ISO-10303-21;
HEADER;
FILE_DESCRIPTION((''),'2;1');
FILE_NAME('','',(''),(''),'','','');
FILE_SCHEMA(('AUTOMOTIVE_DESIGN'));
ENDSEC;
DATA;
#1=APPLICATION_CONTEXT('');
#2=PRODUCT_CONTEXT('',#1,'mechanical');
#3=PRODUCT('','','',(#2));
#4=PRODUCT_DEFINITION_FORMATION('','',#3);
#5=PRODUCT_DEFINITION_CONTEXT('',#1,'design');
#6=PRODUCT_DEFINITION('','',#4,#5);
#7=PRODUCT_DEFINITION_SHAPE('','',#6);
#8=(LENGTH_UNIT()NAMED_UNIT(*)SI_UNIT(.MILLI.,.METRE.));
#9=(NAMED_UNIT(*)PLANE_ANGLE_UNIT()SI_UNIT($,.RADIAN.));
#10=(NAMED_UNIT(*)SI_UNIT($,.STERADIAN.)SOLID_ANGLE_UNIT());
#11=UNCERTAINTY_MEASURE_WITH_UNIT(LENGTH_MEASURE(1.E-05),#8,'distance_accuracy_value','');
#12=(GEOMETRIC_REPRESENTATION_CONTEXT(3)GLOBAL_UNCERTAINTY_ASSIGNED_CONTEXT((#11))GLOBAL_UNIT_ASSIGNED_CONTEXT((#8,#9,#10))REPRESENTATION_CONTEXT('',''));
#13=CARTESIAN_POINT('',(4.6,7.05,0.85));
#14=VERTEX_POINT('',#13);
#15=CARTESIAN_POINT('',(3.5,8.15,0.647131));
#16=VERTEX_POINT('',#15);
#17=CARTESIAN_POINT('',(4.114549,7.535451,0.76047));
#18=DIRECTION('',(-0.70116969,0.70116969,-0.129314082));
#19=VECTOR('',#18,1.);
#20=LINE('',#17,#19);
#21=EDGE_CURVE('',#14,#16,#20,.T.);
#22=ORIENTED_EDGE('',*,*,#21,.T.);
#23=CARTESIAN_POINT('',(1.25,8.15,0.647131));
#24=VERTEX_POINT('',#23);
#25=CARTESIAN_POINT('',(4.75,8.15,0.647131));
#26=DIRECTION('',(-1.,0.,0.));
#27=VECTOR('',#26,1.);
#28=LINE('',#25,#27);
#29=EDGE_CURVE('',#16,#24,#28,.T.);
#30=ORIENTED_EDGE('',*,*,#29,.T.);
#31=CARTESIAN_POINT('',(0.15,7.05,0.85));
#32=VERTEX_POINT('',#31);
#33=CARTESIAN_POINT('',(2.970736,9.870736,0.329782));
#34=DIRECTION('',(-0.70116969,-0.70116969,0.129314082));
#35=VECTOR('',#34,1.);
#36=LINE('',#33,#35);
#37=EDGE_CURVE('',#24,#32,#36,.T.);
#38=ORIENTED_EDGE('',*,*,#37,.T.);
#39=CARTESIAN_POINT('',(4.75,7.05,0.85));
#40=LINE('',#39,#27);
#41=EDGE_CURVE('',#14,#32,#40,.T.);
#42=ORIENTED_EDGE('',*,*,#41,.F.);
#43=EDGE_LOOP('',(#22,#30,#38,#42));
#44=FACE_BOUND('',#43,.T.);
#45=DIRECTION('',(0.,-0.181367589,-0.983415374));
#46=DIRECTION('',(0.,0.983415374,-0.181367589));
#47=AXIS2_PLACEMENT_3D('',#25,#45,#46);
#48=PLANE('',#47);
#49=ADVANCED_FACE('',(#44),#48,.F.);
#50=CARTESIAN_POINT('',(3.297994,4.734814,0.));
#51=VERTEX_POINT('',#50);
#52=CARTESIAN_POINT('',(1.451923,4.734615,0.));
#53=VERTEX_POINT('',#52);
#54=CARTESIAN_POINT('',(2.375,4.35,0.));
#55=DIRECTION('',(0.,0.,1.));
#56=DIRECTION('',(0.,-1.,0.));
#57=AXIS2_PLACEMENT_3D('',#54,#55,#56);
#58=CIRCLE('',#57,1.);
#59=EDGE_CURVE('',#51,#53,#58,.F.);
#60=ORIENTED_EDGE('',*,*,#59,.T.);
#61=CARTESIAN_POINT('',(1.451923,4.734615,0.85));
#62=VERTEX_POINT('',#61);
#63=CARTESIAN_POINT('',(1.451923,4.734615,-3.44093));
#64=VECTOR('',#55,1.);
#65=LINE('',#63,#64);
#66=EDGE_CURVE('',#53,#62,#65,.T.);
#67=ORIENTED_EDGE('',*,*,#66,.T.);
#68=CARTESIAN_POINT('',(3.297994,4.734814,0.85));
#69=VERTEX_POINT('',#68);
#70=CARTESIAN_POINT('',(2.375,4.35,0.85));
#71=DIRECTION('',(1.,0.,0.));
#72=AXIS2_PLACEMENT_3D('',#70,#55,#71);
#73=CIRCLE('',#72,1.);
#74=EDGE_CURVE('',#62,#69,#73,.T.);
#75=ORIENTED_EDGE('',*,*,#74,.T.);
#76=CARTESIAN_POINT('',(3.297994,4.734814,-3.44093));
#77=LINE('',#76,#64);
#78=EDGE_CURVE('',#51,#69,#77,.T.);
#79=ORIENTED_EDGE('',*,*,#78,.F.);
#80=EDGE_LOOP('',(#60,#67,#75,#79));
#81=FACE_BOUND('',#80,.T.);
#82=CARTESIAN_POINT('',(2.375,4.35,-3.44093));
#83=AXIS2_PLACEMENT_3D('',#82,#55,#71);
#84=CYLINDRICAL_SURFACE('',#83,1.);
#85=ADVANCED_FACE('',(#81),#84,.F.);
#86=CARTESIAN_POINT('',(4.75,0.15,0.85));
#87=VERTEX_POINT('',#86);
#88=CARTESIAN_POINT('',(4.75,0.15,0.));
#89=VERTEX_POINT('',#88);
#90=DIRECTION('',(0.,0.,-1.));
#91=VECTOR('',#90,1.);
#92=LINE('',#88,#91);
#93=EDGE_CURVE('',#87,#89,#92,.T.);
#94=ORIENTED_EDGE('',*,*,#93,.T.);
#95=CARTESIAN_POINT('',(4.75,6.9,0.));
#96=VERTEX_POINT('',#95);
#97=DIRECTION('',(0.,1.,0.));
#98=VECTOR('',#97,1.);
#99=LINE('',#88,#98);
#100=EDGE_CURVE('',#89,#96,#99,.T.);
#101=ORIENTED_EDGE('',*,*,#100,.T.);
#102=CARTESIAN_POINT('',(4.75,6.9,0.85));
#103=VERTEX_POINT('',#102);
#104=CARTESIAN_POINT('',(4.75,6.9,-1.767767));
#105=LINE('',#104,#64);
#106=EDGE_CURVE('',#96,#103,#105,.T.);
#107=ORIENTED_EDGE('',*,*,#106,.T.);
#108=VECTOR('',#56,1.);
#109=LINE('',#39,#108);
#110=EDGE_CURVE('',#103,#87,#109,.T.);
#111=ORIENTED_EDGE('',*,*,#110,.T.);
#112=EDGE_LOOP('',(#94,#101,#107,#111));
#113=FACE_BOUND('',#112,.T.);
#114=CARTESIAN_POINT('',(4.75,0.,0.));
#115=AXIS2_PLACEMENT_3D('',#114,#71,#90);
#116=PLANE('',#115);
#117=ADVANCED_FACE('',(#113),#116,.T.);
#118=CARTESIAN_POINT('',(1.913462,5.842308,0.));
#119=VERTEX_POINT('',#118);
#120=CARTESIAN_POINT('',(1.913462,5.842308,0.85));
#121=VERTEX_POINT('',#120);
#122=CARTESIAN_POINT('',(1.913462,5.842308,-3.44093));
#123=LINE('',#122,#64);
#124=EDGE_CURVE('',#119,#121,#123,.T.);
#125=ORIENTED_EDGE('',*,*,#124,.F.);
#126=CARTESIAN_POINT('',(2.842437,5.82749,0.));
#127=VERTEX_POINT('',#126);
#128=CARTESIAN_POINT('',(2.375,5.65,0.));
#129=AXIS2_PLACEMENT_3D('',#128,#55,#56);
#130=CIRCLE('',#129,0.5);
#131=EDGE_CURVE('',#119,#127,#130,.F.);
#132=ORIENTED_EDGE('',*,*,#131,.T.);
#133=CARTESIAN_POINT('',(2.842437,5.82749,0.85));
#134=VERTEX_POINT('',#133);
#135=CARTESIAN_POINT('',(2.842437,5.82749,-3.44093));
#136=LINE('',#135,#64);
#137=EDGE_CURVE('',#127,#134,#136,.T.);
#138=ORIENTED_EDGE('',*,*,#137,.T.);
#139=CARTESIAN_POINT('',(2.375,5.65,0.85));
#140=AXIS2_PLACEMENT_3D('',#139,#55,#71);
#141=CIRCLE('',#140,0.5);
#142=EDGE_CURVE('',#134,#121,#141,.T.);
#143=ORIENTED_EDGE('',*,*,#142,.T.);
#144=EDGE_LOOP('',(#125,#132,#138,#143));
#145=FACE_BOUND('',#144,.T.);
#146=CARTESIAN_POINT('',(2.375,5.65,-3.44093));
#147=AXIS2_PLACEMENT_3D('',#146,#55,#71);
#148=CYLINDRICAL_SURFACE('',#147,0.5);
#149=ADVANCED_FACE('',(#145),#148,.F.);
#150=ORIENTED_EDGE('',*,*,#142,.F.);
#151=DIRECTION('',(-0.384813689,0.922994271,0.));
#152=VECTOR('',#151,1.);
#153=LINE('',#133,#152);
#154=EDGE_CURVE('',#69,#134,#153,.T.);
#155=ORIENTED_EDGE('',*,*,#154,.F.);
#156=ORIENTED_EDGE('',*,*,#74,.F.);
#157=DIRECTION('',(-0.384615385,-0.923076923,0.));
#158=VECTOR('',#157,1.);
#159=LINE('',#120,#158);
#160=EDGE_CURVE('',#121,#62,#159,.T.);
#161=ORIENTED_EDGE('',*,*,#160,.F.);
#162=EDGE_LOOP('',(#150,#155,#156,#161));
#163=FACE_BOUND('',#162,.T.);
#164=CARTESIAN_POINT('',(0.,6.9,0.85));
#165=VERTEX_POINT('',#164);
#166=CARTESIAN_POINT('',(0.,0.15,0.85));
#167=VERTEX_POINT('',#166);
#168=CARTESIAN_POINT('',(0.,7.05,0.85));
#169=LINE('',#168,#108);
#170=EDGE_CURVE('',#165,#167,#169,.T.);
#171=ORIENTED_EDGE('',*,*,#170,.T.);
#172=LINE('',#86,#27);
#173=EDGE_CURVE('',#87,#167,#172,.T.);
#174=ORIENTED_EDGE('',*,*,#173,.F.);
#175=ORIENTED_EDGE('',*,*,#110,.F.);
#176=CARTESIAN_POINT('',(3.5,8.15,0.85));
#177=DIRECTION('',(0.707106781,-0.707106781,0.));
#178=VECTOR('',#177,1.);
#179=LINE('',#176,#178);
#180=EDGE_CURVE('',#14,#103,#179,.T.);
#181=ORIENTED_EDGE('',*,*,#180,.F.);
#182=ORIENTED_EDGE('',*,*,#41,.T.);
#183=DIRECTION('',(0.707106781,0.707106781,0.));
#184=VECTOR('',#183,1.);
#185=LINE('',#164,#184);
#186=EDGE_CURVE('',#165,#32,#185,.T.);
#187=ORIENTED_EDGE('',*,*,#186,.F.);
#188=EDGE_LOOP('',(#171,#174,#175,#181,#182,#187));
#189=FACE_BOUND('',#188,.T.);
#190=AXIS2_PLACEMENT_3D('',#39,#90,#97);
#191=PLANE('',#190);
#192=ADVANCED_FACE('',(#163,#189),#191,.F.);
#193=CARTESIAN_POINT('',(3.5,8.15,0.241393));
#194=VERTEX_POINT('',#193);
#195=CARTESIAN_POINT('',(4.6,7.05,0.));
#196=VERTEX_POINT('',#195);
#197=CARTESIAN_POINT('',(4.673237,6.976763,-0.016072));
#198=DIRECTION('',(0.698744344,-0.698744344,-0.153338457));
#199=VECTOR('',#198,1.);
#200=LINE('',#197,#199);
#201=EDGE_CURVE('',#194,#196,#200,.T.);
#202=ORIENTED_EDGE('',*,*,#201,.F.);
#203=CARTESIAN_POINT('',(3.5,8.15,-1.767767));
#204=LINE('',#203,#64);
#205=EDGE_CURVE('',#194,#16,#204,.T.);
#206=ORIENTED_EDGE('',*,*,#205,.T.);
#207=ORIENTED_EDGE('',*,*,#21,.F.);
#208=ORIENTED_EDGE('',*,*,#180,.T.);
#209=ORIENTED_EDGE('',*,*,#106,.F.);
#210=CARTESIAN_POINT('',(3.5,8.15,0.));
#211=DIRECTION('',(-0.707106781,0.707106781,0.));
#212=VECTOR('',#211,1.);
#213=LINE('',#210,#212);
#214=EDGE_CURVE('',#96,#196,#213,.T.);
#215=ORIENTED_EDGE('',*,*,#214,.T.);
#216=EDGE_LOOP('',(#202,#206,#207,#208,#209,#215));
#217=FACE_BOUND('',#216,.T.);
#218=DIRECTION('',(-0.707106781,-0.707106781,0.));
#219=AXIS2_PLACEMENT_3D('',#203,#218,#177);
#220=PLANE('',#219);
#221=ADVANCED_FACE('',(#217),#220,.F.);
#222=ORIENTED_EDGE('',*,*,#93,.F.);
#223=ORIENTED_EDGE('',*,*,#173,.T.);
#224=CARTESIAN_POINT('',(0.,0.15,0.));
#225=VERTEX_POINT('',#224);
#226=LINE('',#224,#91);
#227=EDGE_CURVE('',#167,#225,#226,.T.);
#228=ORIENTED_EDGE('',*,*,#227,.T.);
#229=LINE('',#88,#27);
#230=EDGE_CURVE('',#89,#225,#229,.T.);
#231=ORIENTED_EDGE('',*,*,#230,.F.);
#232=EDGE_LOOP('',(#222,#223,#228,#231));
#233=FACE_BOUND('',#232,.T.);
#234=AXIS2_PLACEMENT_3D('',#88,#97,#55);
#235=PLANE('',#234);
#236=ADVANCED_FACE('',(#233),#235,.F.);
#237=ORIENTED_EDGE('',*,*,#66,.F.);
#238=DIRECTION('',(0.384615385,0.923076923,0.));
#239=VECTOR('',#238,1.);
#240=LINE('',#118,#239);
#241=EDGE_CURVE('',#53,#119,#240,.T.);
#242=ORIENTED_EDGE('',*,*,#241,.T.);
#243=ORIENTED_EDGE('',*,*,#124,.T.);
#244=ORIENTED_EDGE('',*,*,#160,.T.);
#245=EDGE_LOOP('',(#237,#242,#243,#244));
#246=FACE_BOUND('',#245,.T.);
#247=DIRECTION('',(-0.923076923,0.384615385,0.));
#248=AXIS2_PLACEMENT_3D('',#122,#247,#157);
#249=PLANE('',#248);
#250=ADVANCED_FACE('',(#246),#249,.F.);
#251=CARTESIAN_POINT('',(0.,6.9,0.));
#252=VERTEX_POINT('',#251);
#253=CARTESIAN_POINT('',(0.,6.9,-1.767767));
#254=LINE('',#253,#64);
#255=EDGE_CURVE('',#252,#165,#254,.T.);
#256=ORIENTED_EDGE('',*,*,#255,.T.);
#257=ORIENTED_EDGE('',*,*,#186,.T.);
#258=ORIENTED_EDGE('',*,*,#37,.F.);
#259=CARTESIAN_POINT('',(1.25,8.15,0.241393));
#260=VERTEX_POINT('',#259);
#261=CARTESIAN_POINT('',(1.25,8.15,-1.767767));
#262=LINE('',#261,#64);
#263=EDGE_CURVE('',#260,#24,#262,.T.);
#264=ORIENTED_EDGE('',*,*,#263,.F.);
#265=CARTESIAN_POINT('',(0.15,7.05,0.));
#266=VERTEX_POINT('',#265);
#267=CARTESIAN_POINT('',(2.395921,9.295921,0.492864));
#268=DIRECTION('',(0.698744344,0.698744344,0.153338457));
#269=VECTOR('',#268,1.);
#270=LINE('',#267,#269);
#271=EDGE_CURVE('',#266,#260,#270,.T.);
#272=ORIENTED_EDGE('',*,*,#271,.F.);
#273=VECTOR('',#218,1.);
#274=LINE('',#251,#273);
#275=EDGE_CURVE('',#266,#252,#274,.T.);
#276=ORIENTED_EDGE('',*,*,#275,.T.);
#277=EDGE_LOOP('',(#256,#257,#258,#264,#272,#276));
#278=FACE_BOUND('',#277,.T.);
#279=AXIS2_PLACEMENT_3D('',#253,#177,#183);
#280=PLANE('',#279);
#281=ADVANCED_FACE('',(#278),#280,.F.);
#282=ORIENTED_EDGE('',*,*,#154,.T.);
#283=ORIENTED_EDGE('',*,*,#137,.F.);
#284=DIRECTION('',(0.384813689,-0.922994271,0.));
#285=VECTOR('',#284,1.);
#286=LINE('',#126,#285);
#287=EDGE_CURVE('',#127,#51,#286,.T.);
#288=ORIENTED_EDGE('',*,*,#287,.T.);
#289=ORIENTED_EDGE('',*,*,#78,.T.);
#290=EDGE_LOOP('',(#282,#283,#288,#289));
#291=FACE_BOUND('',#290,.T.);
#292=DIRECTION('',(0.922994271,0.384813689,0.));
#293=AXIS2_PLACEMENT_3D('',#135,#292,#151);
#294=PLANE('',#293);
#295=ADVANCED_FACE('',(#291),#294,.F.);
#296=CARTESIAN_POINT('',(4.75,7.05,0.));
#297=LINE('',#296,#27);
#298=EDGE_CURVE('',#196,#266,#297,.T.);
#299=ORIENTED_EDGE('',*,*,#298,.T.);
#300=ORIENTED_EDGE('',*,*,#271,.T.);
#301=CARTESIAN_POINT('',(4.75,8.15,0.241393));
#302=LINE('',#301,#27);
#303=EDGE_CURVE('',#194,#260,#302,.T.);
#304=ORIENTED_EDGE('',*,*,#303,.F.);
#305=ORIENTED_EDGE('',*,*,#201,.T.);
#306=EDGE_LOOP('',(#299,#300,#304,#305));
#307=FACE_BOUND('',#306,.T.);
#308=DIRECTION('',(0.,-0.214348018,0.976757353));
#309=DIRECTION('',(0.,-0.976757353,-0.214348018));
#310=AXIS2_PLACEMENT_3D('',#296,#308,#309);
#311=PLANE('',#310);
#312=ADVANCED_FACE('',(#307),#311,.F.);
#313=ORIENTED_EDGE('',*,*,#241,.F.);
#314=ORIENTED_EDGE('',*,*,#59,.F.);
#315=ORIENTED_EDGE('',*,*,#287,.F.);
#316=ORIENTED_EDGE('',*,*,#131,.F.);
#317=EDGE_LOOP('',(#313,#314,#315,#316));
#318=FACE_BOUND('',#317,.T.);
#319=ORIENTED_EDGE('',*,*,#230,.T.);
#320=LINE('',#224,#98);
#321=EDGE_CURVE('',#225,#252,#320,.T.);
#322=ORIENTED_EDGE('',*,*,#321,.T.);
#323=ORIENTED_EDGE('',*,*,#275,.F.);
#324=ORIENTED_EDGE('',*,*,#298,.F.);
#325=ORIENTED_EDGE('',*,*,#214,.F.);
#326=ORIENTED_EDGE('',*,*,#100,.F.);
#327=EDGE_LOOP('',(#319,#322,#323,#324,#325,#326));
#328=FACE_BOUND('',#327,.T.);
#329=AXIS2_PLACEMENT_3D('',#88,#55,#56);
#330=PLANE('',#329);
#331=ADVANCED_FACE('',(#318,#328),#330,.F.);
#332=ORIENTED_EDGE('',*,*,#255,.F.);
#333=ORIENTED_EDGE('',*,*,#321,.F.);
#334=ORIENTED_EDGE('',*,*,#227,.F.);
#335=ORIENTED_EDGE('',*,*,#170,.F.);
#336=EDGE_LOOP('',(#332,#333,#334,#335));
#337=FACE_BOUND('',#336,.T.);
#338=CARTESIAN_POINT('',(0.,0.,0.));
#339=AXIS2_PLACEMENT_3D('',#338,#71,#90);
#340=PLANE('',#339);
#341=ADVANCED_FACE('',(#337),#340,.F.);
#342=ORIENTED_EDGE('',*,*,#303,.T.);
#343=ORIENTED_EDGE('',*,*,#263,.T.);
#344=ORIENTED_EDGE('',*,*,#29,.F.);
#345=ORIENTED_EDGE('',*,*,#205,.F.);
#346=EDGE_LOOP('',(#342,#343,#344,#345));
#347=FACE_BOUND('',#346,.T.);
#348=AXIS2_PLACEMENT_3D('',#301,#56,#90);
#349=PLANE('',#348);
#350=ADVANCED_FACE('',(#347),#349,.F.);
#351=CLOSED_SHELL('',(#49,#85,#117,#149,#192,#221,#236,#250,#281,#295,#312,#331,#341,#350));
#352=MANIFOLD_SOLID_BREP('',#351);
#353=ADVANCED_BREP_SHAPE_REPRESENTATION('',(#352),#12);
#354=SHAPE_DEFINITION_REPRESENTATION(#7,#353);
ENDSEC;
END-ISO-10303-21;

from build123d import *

# Parameters (mm, degrees)
BOSS_EXTRUDE1_DEPTH = 4.75
CUT_EXTRUDE1_REACH  = 11.471
CUT_EXTRUDE2_DEPTH  = 0.85


with BuildPart() as part:
    # Sketch1 → Boss-Extrude1 (new body)
    with BuildSketch(Plane(origin=(0, 0, 0), x_dir=(0, 0, -1), z_dir=(1, 0, 0))):
        Polygon((0, 0.15), (0, 7.05), (-0.241393443, 8.15), (-0.647131148, 8.15), (-0.85, 7.05), (-0.85, 0.15), align=None)
    extrude(amount=BOSS_EXTRUDE1_DEPTH)

    # Cut-Extrude1: up to this face of the body (flat: up to its plane)
    cut_extrude1_end = Plane(part.part.faces().sort_by_distance((2.375, 3.6, 0))[0])
    # Sketch4 → Cut-Extrude1 (cut, up to the picked face)
    with BuildSketch(Plane.XY.offset(0.85), mode=Mode.PRIVATE) as cut_extrude1_sk1:
        Polygon((0, 6.9), (1.25, 8.15), (0, 8.15), align=None)
    cut_extrude1_tool1 = split(extrude(cut_extrude1_sk1.sketch, amount=-CUT_EXTRUDE1_REACH, mode=Mode.PRIVATE), bisect_by=cut_extrude1_end, keep=Keep.BOTH, mode=Mode.PRIVATE)
    # Sketch4 → Cut-Extrude1 (cut, up to the picked face)
    with BuildSketch(Plane.XY.offset(0.85), mode=Mode.PRIVATE) as cut_extrude1_sk2:
        Polygon((3.5, 8.15), (4.75, 6.9), (4.75, 8.15), align=None)
    cut_extrude1_tool2 = split(extrude(cut_extrude1_sk2.sketch, amount=-CUT_EXTRUDE1_REACH, mode=Mode.PRIVATE), bisect_by=cut_extrude1_end, keep=Keep.BOTH, mode=Mode.PRIVATE)
    add(cut_extrude1_tool1.solids().sort_by(Axis((0.416667, 7.733333, 0.85), (0, 0, -1)))[0], mode=Mode.SUBTRACT)
    add(cut_extrude1_tool2.solids().sort_by(Axis((4.333333, 7.733333, 0.85), (0, 0, -1)))[0], mode=Mode.SUBTRACT)

    # Sketch5 → Cut-Extrude2 (cut)
    with BuildSketch(Plane.XY.offset(0.85)):
        with BuildLine():
            Line((1.913461538, 5.842307692), (1.451923077, 4.734615385))
            ThreePointArc((1.451923077, 4.734615385), (2.37510742, 3.350000006), (3.297994271, 4.734813689))
            Line((3.297994271, 4.734813689), (2.842436975, 5.827489929))
            ThreePointArc((2.842436975, 5.827489929), (2.382974312, 6.149936406), (1.913461538, 5.842307692))
        make_face()
    extrude(amount=-CUT_EXTRUDE2_DEPTH, mode=Mode.SUBTRACT)


solid = part.part
